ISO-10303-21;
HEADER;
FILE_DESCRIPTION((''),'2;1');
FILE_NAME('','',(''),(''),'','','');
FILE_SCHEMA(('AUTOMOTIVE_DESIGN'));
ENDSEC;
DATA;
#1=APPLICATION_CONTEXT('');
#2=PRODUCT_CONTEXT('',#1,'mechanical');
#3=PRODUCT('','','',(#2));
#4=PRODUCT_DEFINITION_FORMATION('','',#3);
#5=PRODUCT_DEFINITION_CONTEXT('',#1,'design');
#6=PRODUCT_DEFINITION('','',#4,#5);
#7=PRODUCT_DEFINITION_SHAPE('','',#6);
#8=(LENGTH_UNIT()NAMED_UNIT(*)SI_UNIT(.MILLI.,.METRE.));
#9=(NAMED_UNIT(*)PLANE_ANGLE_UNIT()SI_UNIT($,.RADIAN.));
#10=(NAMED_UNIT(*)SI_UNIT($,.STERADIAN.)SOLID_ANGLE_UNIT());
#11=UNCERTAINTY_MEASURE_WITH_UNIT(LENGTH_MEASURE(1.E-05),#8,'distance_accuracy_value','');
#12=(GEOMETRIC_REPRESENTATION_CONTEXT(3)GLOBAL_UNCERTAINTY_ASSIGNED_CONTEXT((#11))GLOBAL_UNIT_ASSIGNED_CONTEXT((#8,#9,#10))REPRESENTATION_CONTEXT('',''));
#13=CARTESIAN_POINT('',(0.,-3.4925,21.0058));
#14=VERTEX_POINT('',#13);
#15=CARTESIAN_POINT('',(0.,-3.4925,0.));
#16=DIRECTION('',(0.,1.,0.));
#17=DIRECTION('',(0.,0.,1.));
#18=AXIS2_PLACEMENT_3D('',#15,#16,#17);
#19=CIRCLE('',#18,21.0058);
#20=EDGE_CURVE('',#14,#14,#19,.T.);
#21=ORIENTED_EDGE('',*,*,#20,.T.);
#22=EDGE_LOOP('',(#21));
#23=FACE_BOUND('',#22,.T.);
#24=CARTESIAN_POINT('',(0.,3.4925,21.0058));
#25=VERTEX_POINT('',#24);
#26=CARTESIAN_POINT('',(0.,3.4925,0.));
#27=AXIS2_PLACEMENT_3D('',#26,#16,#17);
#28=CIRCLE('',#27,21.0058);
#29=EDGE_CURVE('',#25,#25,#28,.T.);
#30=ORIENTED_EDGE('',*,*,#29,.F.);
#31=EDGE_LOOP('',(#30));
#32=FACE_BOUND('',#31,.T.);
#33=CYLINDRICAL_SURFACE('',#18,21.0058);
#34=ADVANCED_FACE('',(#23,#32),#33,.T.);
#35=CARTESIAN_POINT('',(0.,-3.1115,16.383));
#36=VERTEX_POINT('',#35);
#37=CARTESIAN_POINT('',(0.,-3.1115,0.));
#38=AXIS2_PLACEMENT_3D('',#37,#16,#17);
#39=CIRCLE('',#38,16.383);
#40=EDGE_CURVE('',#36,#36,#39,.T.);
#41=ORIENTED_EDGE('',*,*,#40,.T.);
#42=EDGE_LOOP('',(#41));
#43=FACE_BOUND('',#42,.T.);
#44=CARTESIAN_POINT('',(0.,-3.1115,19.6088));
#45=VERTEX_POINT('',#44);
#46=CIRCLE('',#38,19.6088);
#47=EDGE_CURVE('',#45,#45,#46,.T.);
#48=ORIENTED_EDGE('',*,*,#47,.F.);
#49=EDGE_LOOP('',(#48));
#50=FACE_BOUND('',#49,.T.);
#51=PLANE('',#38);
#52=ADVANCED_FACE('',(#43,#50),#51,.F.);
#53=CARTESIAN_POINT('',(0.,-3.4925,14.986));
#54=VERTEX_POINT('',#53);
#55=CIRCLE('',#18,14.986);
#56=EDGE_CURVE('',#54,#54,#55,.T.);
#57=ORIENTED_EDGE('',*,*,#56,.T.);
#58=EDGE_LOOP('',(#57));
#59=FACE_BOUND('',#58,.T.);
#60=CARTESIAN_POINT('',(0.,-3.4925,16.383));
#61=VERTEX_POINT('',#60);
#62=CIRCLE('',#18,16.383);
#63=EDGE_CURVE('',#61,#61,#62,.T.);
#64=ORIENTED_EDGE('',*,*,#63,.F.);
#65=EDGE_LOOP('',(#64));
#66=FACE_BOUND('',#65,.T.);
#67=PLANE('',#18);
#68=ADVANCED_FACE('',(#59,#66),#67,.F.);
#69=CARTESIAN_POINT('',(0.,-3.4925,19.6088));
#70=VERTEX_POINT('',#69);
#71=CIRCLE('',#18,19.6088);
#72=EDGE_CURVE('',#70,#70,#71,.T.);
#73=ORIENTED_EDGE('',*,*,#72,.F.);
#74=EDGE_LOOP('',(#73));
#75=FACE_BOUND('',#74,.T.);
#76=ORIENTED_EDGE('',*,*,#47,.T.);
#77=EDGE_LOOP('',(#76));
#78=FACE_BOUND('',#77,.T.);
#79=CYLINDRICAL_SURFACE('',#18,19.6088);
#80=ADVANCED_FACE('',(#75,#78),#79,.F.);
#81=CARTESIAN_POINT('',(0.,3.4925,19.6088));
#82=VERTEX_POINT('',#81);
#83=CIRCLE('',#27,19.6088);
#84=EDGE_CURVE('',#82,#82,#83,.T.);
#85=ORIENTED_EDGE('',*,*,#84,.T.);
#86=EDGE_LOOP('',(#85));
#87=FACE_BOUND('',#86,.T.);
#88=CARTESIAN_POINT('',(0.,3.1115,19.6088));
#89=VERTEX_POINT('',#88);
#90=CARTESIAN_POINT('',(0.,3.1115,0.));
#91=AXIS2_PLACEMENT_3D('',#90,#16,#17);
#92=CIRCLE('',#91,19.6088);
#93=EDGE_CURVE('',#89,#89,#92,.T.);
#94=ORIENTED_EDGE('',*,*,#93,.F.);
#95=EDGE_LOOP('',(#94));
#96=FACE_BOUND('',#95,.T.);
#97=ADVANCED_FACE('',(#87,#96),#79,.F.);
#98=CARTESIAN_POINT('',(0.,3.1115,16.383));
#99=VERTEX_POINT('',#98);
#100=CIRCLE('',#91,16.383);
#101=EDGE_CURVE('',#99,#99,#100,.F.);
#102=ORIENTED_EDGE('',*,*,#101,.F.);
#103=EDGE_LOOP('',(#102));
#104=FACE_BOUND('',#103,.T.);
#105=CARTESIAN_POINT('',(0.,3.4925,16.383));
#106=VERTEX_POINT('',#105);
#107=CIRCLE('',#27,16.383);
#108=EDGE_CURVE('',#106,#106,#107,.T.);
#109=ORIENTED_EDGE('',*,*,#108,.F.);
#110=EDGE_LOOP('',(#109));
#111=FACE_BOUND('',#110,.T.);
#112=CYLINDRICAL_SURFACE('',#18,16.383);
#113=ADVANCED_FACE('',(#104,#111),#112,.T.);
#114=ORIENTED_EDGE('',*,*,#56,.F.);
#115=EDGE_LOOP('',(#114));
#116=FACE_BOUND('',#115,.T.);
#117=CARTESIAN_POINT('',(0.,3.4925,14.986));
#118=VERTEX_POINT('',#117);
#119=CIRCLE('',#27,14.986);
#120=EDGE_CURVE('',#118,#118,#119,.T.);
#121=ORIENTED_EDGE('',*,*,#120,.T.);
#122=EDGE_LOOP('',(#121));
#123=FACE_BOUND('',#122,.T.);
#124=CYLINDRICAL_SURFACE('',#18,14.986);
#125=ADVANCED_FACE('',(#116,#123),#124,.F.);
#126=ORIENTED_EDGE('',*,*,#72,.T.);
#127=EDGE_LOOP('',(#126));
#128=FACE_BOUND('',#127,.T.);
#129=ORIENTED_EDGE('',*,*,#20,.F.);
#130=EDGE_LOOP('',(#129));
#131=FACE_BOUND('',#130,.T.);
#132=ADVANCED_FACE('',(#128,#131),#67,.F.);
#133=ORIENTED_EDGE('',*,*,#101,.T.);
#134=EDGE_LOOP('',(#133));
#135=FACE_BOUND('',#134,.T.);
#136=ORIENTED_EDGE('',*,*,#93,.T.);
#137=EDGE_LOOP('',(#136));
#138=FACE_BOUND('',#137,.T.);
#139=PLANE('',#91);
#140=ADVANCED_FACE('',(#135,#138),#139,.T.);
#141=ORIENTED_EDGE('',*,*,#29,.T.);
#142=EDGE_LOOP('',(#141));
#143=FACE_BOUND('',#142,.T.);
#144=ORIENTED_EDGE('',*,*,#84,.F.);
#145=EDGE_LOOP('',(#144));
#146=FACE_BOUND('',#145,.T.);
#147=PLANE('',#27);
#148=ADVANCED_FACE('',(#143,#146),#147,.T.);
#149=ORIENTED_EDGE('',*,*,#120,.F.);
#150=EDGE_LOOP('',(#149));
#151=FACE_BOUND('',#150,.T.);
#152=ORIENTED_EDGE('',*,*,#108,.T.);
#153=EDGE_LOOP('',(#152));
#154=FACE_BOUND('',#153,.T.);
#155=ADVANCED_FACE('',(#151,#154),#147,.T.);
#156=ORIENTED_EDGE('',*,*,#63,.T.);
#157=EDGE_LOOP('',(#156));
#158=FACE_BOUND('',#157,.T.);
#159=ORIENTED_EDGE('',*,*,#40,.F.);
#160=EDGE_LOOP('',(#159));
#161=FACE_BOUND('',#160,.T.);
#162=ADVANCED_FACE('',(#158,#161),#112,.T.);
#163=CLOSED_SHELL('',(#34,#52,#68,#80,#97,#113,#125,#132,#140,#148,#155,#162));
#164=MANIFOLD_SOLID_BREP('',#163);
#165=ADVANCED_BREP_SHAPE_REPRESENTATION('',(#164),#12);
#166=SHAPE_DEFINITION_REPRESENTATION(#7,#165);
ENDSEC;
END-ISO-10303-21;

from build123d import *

# Parameters (mm, degrees)
BOSS_EXTRUDE1_DEPTH        = 3.4925
BOSS_EXTRUDE1_DEPTH_BACK   = 3.4925
SKETCH1_R                  = 21.0058
SKETCH1_R_2                = 19.6088
BOSS_EXTRUDE1_2_DEPTH      = 3.4925
BOSS_EXTRUDE1_2_DEPTH_BACK = 3.4925
SKETCH1_R_3                = 16.383
SKETCH1_R_4                = 14.986
BOSS_EXTRUDE2_DEPTH        = 3.1115
BOSS_EXTRUDE2_DEPTH_BACK   = 3.1115
SKETCH1_3_R                = 19.6088
SKETCH1_3_R_2              = 16.383


with BuildPart() as part:
    # Sketch1 → Boss-Extrude1 (new, two sides: drawn at the far end of the back side and taken through both)
    with BuildSketch(Plane(origin=(0, 0, 0), x_dir=(1, 0, 0), z_dir=(0, 1, 0)).offset(-BOSS_EXTRUDE1_DEPTH_BACK)):
        Circle(SKETCH1_R)
        Circle(SKETCH1_R_2, mode=Mode.SUBTRACT)
    extrude(amount=BOSS_EXTRUDE1_DEPTH + BOSS_EXTRUDE1_DEPTH_BACK)



with BuildPart() as body_2:
    # Sketch1 → Boss-Extrude1 2 (new, two sides: drawn at the far end of the back side and taken through both)
    with BuildSketch(Plane(origin=(0, 0, 0), x_dir=(1, 0, 0), z_dir=(0, 1, 0)).offset(-BOSS_EXTRUDE1_2_DEPTH_BACK)):
        Circle(SKETCH1_R_3)
        Circle(SKETCH1_R_4, mode=Mode.SUBTRACT)
    extrude(amount=BOSS_EXTRUDE1_2_DEPTH + BOSS_EXTRUDE1_2_DEPTH_BACK)


with BuildPart() as part_1:
    add(part.part)

    add(body_2.part)  # Boss-Extrude2 merges body 2
    # Sketch1<3> → Boss-Extrude2 (add, two sides: drawn at the far end of the back side and taken through both)
    with BuildSketch(Plane(origin=(0, 0, 0), x_dir=(1, 0, 0), z_dir=(0, 1, 0)).offset(-BOSS_EXTRUDE2_DEPTH_BACK)):
        Circle(SKETCH1_3_R)
        Circle(SKETCH1_3_R_2, mode=Mode.SUBTRACT)
    extrude(amount=BOSS_EXTRUDE2_DEPTH + BOSS_EXTRUDE2_DEPTH_BACK)


solid = part_1.part
